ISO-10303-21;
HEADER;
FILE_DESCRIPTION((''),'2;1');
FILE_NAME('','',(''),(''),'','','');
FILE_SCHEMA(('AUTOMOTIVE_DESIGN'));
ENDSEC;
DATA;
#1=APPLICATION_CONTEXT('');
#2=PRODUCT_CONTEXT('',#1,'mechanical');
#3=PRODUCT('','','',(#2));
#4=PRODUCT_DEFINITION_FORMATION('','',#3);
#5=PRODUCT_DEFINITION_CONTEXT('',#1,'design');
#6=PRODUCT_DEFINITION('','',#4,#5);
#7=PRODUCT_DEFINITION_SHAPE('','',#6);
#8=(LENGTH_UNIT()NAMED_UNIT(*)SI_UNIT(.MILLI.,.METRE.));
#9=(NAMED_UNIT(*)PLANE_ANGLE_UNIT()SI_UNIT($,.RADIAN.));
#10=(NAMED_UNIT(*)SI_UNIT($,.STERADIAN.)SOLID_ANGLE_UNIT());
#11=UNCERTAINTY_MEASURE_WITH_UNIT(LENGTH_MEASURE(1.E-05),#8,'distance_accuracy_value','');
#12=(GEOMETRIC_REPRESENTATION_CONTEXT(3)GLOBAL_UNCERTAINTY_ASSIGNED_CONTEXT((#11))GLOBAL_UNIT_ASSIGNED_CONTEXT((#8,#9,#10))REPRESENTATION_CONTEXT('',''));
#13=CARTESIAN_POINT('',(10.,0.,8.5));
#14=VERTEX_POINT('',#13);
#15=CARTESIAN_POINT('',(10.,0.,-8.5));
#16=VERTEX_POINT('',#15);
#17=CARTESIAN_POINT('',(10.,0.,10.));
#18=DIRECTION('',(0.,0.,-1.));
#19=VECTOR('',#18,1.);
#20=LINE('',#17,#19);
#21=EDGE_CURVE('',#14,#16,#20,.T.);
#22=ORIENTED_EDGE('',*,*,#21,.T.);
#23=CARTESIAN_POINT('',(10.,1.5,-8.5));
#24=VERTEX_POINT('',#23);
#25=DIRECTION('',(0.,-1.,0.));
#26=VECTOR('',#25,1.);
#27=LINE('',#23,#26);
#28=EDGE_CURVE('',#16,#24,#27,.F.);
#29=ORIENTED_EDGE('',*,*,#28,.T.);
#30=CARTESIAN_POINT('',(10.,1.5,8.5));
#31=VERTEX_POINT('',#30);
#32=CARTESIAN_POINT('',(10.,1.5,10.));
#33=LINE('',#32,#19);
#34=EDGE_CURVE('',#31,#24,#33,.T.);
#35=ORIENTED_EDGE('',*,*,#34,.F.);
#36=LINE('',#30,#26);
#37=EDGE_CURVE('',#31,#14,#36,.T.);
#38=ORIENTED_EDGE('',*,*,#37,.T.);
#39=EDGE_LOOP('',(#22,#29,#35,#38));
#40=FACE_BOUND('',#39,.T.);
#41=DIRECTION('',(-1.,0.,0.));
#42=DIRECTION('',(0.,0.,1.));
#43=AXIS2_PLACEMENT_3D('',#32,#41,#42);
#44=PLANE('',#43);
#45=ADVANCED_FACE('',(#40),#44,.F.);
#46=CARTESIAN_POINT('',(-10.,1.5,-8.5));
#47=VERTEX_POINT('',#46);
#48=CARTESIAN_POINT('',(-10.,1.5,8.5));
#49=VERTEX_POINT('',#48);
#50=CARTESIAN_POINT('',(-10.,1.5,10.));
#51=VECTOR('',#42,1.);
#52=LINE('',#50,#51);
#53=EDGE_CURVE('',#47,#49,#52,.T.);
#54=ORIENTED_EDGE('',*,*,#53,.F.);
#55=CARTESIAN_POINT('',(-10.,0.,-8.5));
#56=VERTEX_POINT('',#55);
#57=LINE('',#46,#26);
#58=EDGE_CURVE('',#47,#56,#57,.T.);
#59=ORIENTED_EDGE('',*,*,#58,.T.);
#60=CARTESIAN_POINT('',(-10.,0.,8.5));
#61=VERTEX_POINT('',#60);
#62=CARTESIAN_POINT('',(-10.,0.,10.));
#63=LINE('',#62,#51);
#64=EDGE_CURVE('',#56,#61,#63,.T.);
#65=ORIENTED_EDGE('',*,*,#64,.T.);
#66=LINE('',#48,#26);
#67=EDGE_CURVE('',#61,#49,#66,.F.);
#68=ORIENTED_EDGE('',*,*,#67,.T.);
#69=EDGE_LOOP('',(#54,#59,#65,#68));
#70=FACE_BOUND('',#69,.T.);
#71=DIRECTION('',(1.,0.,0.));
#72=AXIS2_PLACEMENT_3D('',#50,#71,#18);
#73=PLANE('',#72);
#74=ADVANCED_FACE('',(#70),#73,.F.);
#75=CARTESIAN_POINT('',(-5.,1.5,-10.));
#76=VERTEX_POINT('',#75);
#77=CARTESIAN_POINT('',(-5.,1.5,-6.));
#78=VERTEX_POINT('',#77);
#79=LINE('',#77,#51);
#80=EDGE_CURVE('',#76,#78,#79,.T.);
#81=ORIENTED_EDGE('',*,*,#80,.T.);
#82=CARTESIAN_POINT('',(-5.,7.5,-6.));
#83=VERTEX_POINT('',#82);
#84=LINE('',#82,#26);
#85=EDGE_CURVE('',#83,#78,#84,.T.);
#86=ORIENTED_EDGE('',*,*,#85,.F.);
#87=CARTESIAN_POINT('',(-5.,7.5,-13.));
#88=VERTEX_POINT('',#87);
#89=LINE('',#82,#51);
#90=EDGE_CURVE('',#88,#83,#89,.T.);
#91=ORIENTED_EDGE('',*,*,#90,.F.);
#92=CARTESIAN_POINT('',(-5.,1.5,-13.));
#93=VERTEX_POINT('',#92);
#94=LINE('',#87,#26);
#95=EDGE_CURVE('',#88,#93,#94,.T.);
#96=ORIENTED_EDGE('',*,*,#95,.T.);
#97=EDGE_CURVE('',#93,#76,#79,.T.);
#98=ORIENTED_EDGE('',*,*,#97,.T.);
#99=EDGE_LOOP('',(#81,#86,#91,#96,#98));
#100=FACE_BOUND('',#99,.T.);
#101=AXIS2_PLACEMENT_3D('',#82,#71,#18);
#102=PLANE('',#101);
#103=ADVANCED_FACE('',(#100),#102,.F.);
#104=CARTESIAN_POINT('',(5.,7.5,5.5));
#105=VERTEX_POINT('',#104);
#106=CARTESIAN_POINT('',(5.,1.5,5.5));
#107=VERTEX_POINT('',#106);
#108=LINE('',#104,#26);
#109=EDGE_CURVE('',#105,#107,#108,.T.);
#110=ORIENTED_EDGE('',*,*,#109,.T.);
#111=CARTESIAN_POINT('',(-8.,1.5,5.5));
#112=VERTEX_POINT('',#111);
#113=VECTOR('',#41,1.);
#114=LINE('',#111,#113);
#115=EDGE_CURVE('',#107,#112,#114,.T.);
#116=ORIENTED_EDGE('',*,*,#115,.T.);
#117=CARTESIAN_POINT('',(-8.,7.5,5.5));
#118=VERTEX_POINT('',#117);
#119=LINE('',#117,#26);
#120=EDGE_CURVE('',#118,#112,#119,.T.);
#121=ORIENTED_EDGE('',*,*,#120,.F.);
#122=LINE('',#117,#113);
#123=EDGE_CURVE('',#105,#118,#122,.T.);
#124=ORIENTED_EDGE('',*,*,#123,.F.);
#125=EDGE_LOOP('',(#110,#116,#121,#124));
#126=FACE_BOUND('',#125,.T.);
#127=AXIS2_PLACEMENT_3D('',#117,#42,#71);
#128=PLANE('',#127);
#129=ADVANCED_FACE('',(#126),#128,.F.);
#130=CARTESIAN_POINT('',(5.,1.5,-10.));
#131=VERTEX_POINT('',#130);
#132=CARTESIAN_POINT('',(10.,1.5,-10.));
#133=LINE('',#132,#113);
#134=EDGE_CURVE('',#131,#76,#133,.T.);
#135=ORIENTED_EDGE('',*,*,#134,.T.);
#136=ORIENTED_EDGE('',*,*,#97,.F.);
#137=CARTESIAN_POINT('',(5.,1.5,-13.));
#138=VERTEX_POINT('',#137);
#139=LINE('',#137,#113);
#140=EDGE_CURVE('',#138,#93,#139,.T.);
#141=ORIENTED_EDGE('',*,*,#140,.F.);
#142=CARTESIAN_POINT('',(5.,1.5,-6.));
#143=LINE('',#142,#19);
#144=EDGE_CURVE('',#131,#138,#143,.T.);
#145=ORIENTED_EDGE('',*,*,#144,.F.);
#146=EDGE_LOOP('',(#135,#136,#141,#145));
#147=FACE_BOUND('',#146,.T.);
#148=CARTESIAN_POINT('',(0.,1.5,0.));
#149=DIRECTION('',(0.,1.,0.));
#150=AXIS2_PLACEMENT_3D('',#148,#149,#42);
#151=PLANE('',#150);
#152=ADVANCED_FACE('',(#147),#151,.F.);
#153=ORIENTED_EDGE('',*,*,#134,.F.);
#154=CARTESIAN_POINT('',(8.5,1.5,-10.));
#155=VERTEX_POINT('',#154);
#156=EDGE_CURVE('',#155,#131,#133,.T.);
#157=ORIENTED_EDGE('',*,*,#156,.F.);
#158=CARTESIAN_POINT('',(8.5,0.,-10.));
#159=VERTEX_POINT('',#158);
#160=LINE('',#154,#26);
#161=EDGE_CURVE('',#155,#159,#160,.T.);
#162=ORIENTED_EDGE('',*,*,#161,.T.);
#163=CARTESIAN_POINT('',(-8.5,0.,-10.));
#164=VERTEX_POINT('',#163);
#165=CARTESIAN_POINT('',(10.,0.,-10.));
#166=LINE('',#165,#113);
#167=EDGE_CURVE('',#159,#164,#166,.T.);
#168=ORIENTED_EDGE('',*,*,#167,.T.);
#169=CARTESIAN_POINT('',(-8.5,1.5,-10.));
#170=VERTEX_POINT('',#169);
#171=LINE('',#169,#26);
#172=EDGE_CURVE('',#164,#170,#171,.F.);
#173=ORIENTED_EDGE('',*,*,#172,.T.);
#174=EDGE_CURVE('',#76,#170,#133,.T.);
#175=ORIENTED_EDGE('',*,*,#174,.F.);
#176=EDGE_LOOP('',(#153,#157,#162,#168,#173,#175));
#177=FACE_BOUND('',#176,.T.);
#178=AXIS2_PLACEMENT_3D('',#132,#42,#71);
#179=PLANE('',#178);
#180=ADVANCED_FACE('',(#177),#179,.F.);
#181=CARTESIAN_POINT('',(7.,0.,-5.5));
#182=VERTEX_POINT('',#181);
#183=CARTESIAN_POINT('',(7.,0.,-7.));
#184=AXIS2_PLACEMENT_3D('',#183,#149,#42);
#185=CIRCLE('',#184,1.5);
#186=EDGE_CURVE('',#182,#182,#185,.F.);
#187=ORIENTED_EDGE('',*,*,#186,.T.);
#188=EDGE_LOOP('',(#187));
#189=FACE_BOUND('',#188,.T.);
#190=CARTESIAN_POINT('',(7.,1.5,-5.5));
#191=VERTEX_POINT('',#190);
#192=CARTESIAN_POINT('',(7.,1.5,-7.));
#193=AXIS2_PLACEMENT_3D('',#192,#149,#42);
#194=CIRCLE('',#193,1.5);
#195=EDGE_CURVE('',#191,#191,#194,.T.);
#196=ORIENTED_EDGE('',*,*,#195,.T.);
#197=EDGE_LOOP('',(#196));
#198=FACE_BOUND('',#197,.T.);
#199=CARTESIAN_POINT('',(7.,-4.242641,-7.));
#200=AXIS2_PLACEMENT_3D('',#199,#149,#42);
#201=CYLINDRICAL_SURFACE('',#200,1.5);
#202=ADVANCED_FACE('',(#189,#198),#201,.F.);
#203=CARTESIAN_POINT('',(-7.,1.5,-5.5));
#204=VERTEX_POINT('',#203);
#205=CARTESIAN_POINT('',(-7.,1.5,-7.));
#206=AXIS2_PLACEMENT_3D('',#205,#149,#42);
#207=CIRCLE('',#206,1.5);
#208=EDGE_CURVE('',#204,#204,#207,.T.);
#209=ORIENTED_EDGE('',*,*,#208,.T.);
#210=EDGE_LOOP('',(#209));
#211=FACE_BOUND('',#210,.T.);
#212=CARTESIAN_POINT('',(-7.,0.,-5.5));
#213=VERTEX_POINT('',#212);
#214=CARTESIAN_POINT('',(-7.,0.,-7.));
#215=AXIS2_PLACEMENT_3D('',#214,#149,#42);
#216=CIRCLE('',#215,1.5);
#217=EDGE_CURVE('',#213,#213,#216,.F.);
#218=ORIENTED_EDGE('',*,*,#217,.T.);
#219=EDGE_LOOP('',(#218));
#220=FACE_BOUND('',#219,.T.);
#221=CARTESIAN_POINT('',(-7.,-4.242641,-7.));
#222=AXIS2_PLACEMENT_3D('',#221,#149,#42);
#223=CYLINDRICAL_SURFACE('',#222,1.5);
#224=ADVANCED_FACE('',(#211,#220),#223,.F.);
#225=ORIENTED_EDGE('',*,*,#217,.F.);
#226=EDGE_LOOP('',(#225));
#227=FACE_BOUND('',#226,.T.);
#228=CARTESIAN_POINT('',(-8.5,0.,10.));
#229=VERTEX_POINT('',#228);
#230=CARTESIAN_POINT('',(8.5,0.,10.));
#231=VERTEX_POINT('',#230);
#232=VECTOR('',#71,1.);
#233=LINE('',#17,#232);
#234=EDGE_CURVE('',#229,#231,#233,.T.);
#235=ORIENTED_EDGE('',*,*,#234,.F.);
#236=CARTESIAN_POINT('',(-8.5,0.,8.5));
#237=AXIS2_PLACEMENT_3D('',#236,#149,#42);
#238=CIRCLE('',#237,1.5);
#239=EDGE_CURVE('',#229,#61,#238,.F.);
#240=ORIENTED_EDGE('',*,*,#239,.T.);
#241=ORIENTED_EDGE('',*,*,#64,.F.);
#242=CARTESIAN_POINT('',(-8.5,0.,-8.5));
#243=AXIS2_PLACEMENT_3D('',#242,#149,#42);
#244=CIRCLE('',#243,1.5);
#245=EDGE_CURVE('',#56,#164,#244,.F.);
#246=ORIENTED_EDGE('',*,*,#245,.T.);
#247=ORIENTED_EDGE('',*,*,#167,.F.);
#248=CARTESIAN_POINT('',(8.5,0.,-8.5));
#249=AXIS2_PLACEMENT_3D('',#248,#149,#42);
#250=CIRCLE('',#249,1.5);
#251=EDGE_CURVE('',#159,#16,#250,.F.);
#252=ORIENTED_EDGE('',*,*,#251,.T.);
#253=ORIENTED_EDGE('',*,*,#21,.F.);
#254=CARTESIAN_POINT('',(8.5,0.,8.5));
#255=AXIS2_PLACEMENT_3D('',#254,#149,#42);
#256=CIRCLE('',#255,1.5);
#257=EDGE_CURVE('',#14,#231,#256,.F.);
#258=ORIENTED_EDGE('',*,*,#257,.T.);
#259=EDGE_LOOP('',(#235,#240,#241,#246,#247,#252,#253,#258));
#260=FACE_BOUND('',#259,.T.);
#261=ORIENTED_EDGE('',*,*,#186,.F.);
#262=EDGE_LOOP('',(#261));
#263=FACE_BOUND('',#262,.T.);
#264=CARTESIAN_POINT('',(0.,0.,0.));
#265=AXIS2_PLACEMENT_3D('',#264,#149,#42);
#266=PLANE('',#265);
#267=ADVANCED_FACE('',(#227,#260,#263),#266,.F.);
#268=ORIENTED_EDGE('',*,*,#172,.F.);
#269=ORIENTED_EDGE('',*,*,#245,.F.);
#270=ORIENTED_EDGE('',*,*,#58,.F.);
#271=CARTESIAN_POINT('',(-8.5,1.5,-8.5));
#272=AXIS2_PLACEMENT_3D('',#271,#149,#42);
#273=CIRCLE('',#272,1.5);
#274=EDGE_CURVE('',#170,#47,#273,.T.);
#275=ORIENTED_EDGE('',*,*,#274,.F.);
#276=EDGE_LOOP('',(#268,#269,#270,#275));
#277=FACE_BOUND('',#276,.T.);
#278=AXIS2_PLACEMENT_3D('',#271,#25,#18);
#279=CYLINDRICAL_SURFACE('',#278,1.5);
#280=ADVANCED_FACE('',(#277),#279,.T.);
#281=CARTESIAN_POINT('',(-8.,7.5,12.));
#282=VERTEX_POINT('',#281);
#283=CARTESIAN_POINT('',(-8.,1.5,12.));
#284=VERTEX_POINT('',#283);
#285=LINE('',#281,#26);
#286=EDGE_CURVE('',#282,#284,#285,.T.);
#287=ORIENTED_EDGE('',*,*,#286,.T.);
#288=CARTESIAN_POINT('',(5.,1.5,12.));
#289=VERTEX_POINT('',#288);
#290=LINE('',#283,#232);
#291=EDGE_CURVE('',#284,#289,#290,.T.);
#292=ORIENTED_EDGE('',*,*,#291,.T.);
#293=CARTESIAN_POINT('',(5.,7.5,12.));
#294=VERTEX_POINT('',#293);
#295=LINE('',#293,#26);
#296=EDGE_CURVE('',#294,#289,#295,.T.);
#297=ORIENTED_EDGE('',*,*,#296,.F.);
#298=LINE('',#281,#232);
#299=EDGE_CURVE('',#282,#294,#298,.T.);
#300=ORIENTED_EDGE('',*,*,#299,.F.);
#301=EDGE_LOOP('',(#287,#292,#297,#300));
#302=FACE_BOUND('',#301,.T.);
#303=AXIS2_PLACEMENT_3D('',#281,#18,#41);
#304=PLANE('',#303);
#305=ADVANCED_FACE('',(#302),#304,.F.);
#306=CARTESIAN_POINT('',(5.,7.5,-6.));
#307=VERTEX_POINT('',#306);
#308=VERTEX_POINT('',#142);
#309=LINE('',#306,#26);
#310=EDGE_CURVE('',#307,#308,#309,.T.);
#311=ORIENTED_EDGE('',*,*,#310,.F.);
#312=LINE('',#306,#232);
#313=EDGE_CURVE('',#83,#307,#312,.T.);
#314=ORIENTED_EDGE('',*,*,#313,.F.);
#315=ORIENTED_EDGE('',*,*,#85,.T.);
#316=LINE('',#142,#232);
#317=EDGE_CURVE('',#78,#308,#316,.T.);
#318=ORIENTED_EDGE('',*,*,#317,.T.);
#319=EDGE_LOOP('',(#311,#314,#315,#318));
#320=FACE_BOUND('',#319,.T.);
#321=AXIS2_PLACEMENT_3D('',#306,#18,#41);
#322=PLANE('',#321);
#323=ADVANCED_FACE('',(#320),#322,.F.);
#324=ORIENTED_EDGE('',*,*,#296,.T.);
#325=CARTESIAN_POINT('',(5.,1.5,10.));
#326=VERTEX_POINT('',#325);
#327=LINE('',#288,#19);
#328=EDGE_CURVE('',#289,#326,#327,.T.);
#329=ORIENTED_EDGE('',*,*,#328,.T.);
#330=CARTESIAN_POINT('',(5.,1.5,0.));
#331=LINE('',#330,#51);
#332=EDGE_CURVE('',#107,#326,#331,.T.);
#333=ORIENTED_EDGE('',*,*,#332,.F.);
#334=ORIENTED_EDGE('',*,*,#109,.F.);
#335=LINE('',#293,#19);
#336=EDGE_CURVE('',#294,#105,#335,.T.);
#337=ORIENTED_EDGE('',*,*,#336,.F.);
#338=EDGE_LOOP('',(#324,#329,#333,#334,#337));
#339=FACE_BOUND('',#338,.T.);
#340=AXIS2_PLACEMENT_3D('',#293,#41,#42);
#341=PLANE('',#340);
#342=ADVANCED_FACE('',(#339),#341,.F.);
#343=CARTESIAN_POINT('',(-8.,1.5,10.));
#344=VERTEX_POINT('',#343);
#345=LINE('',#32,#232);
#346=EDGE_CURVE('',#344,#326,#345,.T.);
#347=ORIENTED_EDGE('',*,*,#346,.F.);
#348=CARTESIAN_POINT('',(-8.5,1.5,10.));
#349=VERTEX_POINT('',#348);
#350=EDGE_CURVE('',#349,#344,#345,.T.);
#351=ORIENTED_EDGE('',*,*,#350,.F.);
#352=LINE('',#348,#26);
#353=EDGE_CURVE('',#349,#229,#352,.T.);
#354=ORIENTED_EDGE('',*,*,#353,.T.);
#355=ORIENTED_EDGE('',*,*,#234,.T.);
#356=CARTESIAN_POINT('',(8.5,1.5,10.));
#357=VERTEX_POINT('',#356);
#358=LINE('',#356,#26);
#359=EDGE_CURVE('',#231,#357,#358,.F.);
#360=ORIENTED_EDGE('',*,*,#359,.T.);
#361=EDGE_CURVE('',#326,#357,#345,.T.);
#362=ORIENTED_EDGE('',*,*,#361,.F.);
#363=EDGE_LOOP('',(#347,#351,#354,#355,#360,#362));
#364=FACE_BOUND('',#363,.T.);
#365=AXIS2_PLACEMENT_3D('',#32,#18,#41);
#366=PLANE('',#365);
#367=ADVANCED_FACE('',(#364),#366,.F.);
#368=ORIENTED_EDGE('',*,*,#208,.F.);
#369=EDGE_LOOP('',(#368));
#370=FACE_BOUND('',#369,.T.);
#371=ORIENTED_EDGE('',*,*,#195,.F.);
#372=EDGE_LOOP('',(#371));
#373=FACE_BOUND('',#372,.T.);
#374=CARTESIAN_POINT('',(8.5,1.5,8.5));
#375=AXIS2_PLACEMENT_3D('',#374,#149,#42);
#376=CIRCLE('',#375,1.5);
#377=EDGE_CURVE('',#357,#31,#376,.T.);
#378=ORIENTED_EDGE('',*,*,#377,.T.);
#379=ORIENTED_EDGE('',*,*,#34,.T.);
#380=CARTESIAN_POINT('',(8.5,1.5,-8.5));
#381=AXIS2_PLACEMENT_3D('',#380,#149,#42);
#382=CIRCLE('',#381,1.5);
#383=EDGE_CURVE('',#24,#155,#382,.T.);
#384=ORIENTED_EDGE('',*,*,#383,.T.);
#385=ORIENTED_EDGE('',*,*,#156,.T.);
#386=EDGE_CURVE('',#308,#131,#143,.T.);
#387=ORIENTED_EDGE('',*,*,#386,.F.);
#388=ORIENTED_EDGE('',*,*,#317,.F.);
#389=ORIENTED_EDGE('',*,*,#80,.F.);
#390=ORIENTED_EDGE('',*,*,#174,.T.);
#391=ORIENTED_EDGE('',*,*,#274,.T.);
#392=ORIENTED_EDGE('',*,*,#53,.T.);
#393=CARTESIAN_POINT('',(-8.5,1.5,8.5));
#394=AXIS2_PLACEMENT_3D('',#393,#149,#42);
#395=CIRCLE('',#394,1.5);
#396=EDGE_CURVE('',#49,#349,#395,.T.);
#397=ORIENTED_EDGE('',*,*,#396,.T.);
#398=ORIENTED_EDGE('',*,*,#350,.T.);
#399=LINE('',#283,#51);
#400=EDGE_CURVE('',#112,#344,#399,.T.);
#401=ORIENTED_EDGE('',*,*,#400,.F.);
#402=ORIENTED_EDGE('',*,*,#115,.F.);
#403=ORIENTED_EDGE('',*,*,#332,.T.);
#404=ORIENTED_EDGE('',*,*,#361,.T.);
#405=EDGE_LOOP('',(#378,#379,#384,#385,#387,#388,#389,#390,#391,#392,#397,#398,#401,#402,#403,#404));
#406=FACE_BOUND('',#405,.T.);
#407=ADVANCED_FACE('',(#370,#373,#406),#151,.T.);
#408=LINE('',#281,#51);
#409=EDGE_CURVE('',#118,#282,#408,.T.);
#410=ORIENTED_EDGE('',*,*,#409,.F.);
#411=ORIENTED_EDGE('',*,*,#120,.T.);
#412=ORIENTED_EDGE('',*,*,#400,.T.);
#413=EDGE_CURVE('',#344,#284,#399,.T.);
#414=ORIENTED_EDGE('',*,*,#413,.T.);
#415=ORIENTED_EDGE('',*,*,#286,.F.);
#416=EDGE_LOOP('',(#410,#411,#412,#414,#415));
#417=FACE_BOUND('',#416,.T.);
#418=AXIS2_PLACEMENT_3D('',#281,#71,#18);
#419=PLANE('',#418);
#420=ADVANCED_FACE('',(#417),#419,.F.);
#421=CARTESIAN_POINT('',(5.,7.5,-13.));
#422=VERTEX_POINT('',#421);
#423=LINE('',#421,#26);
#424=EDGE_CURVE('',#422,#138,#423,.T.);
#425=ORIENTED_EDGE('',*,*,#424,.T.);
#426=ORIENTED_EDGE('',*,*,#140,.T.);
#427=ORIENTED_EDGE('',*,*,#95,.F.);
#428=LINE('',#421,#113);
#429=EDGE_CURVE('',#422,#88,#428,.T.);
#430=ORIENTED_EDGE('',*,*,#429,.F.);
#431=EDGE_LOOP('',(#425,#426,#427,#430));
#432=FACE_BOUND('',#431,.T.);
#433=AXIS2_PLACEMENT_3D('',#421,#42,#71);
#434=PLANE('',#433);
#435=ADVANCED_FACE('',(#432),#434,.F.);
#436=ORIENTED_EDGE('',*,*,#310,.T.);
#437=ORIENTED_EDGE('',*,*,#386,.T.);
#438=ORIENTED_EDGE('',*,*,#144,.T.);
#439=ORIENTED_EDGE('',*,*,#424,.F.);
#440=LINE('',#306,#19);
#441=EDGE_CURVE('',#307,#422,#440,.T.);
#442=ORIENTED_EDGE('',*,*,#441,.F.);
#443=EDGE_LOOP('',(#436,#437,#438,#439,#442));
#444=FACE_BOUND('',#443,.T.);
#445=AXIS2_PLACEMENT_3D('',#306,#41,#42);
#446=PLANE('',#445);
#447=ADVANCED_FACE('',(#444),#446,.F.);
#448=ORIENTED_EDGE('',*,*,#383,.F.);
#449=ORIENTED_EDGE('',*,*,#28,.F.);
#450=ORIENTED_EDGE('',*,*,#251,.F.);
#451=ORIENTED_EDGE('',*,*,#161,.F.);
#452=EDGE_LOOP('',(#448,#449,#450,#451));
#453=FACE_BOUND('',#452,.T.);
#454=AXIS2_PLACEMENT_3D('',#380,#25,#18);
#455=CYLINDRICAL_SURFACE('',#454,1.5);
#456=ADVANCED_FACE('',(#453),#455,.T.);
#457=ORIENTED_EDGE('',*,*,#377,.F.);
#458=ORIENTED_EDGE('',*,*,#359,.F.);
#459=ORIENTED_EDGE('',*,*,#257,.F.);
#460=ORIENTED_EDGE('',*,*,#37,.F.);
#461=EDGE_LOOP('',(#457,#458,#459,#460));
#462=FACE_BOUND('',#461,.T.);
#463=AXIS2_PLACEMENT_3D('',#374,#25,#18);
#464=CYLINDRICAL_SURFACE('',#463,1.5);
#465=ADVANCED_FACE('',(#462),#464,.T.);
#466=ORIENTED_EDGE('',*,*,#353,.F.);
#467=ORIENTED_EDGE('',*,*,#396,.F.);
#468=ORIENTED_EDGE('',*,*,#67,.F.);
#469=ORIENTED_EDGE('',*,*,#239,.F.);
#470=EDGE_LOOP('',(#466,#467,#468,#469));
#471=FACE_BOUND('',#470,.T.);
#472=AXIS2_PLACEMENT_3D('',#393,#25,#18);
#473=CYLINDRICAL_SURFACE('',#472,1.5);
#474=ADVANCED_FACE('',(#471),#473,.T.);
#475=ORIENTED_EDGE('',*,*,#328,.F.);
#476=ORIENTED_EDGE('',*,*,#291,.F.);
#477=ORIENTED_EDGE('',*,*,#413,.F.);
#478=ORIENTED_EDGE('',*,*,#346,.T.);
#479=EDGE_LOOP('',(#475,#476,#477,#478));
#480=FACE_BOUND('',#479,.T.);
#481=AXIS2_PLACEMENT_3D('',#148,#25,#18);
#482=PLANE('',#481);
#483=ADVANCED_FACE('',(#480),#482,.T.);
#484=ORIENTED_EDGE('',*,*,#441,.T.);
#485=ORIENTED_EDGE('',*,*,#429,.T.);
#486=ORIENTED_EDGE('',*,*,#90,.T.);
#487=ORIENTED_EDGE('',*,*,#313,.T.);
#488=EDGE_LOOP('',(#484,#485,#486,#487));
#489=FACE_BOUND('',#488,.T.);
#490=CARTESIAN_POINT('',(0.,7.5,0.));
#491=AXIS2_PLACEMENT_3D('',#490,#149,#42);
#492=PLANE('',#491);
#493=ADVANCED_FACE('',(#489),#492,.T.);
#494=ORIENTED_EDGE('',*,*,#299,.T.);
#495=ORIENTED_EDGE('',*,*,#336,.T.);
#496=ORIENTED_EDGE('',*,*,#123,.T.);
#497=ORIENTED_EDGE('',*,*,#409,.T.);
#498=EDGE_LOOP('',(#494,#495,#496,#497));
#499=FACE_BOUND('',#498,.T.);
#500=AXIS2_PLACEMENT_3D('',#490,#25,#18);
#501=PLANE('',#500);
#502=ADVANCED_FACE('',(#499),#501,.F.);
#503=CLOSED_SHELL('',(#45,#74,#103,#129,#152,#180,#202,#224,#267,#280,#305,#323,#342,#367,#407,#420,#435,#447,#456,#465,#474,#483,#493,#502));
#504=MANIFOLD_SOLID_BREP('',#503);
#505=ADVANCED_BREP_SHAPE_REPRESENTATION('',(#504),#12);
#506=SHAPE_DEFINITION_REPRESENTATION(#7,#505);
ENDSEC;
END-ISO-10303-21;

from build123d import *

# Parameters (mm, degrees)
SKETCH1_W           = 20
SKETCH1_H           = 20
BOSS_EXTRUDE1_DEPTH = 1.5
FILLET1_R           = 1.5
SKETCH2_R           = 1.5
CUT_EXTRUDE1_DEPTH  = 1.5
SKETCH3_W           = 10
SKETCH3_H           = 7
BOSS_EXTRUDE2_DEPTH = 6
SKETCH4_W           = 13
SKETCH4_H           = 6.5
BOSS_EXTRUDE3_DEPTH = 6


with BuildPart() as part:
    # Sketch1 → Boss-Extrude1 (new body)
    with BuildSketch(Plane(origin=(0, 0, 0), x_dir=(1, 0, 0), z_dir=(0, 1, 0))):
        Rectangle(SKETCH1_W, SKETCH1_H)
    extrude(amount=BOSS_EXTRUDE1_DEPTH)

    # Fillet1
    fillet1_edges = [part.edges().sort_by_distance(p)[0] for p in [
        (-10, 0.75, -10),
        (10, 0.75, -10),
        (10, 0.75, 10),
        (-10, 0.75, 10),
    ]]
    fillet(fillet1_edges, radius=FILLET1_R)

    # Sketch2 → Cut-Extrude1 (cut)
    with BuildSketch(Plane(origin=(0, 1.5, 0), x_dir=(1, 0, 0), z_dir=(0, 1, 0))):
        with Locations(Location((7, 7, 0), (0, 0, 270))):
            Circle(SKETCH2_R)
        with Locations(Location((-7, 7, 0), (0, 0, 270))):
            Circle(SKETCH2_R)
    extrude(amount=-CUT_EXTRUDE1_DEPTH, mode=Mode.SUBTRACT)

    # Sketch3 → Boss-Extrude2 (add)
    with BuildSketch(Plane(origin=(0, 1.5, 0), x_dir=(1, 0, 0), z_dir=(0, 1, 0))):
        with Locations((0, 9.5)):
            Rectangle(SKETCH3_W, SKETCH3_H)
    extrude(amount=BOSS_EXTRUDE2_DEPTH)

    # Sketch4 → Boss-Extrude3 (add)
    with BuildSketch(Plane(origin=(0, 1.5, 0), x_dir=(1, 0, 0), z_dir=(0, 1, 0))):
        with Locations((-1.5, -8.75)):
            Rectangle(SKETCH4_W, SKETCH4_H)
    extrude(amount=BOSS_EXTRUDE3_DEPTH)


solid = part.part
